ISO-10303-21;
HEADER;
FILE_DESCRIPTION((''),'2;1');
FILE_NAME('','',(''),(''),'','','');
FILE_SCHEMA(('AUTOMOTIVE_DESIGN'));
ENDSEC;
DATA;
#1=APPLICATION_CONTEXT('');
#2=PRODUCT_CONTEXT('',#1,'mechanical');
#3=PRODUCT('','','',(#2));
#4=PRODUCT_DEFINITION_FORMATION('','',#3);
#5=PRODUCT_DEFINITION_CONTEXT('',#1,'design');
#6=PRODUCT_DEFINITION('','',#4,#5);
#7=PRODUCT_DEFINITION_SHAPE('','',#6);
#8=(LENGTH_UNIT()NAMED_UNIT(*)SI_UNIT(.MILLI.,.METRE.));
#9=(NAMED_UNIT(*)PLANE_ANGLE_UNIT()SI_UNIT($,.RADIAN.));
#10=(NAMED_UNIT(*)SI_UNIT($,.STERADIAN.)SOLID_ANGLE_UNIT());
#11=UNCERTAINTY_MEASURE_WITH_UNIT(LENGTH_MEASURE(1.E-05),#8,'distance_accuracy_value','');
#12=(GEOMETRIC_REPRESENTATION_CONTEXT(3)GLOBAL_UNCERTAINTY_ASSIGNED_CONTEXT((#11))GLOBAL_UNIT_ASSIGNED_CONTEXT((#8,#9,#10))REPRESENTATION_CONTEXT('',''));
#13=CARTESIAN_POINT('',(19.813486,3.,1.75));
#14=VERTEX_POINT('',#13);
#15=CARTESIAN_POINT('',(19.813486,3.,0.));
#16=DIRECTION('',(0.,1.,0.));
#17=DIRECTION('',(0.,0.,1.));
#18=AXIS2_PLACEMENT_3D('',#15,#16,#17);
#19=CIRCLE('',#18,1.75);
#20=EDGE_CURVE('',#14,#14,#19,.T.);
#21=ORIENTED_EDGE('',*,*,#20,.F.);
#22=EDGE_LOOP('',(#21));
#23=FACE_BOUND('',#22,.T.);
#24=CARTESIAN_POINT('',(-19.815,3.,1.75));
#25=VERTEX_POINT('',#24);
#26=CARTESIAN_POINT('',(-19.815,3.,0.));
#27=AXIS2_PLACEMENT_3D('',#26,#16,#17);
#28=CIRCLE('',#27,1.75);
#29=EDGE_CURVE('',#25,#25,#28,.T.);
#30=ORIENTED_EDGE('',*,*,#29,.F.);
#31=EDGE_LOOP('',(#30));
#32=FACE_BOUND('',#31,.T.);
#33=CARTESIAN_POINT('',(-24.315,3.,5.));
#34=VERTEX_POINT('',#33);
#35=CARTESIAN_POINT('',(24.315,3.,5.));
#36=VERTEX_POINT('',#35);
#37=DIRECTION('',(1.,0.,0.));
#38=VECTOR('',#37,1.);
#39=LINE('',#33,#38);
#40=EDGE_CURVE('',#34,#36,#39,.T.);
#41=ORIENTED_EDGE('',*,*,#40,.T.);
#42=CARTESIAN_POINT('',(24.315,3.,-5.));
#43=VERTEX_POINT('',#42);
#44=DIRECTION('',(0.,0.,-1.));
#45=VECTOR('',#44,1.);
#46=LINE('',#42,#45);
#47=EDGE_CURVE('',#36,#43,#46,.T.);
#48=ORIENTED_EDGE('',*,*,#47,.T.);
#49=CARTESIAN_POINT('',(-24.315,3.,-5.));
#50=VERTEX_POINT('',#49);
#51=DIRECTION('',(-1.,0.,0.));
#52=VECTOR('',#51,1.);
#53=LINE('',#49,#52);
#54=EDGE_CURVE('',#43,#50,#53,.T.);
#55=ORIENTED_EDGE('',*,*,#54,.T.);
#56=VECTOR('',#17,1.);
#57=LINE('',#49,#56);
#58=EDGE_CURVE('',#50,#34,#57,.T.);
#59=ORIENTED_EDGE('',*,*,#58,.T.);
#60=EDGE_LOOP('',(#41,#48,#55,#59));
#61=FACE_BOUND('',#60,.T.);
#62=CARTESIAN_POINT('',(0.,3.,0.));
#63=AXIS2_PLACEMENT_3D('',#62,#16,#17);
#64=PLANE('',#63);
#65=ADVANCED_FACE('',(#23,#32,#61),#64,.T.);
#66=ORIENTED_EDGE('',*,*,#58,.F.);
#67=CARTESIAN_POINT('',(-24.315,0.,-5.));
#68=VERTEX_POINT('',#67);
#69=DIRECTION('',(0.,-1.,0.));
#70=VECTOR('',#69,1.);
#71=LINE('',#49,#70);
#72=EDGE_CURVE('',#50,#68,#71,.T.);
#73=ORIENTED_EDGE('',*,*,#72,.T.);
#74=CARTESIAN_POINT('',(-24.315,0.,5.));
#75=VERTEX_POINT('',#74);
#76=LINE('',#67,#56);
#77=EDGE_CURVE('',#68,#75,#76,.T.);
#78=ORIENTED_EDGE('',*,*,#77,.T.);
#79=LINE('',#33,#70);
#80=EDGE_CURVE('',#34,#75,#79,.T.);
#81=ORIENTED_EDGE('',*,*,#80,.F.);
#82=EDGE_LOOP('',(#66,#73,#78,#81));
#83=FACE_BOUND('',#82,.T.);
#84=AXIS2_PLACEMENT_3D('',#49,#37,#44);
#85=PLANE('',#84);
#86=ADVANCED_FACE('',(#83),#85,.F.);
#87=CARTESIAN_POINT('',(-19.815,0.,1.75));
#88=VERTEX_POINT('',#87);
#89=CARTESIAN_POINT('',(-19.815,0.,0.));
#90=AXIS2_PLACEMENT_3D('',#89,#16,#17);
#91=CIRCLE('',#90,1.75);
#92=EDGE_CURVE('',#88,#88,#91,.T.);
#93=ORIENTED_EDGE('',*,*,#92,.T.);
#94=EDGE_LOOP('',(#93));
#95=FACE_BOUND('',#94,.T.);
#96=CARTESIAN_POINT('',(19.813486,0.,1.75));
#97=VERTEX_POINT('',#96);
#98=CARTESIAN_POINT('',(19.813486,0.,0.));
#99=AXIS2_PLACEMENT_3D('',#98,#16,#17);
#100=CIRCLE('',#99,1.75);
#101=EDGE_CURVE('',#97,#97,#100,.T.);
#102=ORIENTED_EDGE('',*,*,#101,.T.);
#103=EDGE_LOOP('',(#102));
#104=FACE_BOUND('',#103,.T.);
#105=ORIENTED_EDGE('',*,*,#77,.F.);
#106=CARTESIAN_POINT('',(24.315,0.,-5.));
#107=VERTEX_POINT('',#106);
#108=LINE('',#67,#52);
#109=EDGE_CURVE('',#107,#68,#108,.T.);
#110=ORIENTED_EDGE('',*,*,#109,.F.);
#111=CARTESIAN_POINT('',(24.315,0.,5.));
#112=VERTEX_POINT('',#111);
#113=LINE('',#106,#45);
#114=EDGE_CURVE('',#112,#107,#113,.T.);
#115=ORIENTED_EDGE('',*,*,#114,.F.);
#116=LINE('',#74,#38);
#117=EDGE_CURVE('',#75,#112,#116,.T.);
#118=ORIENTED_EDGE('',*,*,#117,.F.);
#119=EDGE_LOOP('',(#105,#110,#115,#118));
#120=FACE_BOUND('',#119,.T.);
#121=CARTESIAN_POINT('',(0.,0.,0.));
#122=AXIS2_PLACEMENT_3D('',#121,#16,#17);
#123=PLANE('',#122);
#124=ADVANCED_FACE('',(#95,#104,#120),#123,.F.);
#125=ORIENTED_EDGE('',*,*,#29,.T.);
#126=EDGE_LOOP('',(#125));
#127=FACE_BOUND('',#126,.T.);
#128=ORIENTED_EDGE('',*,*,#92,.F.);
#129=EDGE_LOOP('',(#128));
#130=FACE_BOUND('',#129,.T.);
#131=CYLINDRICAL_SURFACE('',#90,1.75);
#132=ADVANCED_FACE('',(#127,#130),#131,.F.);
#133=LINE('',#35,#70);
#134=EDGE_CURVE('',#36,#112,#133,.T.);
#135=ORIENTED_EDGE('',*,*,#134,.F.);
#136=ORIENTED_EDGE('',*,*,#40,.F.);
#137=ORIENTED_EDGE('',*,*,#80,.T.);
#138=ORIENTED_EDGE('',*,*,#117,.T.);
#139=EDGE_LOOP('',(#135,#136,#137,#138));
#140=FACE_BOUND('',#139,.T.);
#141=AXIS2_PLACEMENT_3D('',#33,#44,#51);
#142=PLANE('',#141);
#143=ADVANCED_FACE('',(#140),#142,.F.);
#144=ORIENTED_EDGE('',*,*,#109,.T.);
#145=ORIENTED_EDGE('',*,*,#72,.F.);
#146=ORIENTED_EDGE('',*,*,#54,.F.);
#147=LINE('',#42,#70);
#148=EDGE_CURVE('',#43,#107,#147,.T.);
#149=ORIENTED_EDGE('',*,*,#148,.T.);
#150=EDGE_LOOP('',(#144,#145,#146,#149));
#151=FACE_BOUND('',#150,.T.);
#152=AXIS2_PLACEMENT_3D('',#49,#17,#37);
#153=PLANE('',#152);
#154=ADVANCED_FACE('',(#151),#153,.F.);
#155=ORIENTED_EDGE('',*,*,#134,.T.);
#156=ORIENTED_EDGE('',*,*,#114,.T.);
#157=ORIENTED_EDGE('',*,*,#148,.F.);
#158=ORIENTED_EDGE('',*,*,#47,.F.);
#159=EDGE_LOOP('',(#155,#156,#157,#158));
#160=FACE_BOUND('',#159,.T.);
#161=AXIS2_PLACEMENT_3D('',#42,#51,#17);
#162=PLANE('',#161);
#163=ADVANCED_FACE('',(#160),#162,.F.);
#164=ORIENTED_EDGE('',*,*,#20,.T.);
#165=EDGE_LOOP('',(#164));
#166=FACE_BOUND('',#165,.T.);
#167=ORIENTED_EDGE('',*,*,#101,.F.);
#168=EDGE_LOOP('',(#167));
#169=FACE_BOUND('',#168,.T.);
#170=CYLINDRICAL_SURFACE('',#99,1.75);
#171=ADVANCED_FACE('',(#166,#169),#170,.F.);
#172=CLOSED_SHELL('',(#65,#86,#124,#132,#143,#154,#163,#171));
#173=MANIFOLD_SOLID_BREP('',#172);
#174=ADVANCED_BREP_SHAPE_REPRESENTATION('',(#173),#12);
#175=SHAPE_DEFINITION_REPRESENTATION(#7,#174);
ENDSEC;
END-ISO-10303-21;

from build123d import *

# Parameters (mm, degrees)
SKETCH1_W           = 48.63
SKETCH1_H           = 10
BOSS_EXTRUDE1_DEPTH = 3
SKETCH2_R           = 1.75
CUT_EXTRUDE1_DEPTH  = 26.004384116


with BuildPart() as part:
    # Sketch1 → Boss-Extrude1 (new body)
    with BuildSketch(Plane(origin=(0, 0, 0), x_dir=(1, 0, 0), z_dir=(0, 1, 0))):
        Rectangle(SKETCH1_W, SKETCH1_H)
    extrude(amount=BOSS_EXTRUDE1_DEPTH)

    # Sketch2 → Cut-Extrude1 (cut, through all)
    with BuildSketch(Plane(origin=(0, 3, 0), x_dir=(1, 0, 0), z_dir=(0, 1, 0))):
        with Locations(Location((-19.815, 0, 0), (0, 0, 270))):
            Circle(SKETCH2_R)
        with Locations(Location((19.8134862, 0, 0), (0, 0, 270))):
            Circle(SKETCH2_R)
    extrude(amount=-CUT_EXTRUDE1_DEPTH, mode=Mode.SUBTRACT)


solid = part.part
